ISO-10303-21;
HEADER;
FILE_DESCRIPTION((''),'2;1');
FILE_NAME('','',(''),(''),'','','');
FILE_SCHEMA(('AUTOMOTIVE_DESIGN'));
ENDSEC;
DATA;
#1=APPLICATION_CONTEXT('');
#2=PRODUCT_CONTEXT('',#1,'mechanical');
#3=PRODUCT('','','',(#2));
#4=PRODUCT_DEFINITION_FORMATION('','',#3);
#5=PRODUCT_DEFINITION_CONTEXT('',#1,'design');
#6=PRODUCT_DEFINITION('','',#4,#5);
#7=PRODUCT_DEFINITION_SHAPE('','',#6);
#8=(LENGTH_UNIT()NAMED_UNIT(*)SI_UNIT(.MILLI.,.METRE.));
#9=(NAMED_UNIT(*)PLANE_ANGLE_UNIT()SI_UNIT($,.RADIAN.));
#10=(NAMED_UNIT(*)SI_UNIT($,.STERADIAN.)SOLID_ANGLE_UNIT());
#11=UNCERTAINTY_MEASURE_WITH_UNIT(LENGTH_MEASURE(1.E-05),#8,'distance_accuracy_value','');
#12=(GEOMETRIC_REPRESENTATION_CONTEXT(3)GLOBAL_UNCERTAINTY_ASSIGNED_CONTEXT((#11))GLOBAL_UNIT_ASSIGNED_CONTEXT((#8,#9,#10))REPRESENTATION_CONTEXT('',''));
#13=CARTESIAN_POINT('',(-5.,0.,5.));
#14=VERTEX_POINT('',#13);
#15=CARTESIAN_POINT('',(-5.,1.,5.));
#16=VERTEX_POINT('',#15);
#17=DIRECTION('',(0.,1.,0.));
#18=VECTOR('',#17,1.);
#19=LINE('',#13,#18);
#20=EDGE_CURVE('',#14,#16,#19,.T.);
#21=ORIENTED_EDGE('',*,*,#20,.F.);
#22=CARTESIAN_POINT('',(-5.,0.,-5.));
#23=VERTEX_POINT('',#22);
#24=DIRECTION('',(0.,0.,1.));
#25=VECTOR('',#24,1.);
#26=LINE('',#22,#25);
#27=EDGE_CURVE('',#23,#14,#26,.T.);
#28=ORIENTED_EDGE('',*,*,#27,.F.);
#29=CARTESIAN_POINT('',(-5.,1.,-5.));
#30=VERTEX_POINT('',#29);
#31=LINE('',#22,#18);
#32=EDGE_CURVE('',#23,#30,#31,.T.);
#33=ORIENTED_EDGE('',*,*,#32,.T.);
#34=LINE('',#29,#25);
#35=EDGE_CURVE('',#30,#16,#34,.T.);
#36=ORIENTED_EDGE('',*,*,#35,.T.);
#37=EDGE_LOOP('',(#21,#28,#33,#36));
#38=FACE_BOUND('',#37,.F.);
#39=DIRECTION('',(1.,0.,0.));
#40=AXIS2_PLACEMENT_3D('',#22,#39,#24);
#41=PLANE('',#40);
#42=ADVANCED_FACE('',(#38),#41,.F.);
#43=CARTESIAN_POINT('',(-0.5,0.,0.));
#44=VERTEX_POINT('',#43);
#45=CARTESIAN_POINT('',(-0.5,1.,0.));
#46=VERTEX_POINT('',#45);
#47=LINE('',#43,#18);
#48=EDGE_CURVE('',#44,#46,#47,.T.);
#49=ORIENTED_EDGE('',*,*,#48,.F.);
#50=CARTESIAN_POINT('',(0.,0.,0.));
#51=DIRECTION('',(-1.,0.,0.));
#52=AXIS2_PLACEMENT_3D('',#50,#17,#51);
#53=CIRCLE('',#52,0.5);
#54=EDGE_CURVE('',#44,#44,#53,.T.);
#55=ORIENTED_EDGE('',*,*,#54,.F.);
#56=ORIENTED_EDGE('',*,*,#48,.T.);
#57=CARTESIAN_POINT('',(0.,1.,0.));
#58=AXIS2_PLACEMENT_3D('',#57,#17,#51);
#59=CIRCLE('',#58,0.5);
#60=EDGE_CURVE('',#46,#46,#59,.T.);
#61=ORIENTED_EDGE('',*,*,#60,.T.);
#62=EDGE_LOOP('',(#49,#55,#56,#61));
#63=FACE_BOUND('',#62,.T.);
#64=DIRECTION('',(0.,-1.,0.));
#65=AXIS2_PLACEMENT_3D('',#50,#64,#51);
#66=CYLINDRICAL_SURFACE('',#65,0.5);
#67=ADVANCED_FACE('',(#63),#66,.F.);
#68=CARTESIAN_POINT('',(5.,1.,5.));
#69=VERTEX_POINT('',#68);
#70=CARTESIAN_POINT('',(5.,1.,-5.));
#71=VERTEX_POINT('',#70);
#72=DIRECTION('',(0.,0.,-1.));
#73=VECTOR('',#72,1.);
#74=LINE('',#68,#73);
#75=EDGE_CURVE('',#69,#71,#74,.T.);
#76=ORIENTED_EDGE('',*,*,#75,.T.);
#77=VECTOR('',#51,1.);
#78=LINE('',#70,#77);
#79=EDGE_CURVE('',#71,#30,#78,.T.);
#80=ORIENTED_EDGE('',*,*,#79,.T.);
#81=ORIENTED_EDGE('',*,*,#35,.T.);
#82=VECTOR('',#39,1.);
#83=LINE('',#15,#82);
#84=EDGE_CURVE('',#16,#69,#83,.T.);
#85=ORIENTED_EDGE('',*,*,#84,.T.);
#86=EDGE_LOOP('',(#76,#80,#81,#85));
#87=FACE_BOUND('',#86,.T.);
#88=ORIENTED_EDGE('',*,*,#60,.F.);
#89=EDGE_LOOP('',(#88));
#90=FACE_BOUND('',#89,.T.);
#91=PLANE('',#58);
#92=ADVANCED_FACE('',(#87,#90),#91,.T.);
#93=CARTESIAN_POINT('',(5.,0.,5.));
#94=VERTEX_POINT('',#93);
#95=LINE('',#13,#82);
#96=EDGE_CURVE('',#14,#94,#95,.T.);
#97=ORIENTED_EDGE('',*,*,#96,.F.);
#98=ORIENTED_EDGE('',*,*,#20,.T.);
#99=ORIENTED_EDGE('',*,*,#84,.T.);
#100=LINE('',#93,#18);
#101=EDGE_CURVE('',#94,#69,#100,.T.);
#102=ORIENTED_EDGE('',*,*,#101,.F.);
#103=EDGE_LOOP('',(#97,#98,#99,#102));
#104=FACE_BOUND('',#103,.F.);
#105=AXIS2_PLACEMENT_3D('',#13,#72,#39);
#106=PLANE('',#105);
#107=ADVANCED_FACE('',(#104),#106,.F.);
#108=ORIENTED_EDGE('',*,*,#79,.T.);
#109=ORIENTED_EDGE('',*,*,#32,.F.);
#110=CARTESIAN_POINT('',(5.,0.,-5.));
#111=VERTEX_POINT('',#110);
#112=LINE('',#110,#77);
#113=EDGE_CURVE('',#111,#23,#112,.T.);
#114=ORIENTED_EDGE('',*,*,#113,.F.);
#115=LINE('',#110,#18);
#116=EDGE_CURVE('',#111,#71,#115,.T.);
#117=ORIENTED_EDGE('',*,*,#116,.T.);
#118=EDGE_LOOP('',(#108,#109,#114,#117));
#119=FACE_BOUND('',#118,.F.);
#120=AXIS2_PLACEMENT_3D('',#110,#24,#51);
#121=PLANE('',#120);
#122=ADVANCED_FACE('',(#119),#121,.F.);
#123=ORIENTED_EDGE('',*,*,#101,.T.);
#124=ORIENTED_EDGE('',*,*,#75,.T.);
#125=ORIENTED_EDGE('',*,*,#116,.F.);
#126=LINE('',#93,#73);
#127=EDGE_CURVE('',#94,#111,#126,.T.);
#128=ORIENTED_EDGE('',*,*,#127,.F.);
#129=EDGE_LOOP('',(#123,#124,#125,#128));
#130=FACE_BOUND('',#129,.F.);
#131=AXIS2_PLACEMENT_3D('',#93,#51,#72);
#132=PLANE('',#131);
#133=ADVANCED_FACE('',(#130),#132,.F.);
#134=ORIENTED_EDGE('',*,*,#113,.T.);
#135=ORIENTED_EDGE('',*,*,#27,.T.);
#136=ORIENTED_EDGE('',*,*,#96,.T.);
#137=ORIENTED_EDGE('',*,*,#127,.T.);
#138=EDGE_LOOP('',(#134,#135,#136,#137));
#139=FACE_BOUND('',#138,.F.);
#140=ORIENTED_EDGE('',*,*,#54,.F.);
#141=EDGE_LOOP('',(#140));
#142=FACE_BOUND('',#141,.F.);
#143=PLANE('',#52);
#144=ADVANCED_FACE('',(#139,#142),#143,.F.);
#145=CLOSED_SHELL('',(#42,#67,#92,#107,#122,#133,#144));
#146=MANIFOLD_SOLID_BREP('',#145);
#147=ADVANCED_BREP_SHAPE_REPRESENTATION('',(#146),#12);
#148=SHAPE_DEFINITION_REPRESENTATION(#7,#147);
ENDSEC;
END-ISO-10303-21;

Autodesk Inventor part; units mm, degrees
ref_plane "YZ Plane" through (0, 0, 0) normal (1, 0, 0) x (0, 1, 0)
ref_plane "XZ Plane" through (0, 0, 0) normal (0, 1, 0) x (-1, 0, 0)
ref_plane "XY Plane" through (0, 0, 0) normal (0, 0, 1) x (1, 0, 0)
sketch "Skizze1" plane through (0, 0, 0) normal (0, 1, 0) x (-1, 0, 0)
  line L0 (-5, -5) -> (5, -5)
  line L1 (5, -5) -> (5, 5)
  line L2 (5, 5) -> (-5, 5)
  line L3 (-5, 5) -> (-5, -5)
  line L4 (-5, -5) -> (5, 5) construction
  line L5 (5, -5) -> (-5, 5) construction
  circle A0 centre (0, 0) radius 0.5
  dimension "d0" = 10
  dimension "d1" = 10
  dimension "d4" = 1
extrude "Extrusion1" add sketch "Skizze1" along normal blind 1
equation "\"d1\" = d0"
properties part number "00_mirror_tmp"
